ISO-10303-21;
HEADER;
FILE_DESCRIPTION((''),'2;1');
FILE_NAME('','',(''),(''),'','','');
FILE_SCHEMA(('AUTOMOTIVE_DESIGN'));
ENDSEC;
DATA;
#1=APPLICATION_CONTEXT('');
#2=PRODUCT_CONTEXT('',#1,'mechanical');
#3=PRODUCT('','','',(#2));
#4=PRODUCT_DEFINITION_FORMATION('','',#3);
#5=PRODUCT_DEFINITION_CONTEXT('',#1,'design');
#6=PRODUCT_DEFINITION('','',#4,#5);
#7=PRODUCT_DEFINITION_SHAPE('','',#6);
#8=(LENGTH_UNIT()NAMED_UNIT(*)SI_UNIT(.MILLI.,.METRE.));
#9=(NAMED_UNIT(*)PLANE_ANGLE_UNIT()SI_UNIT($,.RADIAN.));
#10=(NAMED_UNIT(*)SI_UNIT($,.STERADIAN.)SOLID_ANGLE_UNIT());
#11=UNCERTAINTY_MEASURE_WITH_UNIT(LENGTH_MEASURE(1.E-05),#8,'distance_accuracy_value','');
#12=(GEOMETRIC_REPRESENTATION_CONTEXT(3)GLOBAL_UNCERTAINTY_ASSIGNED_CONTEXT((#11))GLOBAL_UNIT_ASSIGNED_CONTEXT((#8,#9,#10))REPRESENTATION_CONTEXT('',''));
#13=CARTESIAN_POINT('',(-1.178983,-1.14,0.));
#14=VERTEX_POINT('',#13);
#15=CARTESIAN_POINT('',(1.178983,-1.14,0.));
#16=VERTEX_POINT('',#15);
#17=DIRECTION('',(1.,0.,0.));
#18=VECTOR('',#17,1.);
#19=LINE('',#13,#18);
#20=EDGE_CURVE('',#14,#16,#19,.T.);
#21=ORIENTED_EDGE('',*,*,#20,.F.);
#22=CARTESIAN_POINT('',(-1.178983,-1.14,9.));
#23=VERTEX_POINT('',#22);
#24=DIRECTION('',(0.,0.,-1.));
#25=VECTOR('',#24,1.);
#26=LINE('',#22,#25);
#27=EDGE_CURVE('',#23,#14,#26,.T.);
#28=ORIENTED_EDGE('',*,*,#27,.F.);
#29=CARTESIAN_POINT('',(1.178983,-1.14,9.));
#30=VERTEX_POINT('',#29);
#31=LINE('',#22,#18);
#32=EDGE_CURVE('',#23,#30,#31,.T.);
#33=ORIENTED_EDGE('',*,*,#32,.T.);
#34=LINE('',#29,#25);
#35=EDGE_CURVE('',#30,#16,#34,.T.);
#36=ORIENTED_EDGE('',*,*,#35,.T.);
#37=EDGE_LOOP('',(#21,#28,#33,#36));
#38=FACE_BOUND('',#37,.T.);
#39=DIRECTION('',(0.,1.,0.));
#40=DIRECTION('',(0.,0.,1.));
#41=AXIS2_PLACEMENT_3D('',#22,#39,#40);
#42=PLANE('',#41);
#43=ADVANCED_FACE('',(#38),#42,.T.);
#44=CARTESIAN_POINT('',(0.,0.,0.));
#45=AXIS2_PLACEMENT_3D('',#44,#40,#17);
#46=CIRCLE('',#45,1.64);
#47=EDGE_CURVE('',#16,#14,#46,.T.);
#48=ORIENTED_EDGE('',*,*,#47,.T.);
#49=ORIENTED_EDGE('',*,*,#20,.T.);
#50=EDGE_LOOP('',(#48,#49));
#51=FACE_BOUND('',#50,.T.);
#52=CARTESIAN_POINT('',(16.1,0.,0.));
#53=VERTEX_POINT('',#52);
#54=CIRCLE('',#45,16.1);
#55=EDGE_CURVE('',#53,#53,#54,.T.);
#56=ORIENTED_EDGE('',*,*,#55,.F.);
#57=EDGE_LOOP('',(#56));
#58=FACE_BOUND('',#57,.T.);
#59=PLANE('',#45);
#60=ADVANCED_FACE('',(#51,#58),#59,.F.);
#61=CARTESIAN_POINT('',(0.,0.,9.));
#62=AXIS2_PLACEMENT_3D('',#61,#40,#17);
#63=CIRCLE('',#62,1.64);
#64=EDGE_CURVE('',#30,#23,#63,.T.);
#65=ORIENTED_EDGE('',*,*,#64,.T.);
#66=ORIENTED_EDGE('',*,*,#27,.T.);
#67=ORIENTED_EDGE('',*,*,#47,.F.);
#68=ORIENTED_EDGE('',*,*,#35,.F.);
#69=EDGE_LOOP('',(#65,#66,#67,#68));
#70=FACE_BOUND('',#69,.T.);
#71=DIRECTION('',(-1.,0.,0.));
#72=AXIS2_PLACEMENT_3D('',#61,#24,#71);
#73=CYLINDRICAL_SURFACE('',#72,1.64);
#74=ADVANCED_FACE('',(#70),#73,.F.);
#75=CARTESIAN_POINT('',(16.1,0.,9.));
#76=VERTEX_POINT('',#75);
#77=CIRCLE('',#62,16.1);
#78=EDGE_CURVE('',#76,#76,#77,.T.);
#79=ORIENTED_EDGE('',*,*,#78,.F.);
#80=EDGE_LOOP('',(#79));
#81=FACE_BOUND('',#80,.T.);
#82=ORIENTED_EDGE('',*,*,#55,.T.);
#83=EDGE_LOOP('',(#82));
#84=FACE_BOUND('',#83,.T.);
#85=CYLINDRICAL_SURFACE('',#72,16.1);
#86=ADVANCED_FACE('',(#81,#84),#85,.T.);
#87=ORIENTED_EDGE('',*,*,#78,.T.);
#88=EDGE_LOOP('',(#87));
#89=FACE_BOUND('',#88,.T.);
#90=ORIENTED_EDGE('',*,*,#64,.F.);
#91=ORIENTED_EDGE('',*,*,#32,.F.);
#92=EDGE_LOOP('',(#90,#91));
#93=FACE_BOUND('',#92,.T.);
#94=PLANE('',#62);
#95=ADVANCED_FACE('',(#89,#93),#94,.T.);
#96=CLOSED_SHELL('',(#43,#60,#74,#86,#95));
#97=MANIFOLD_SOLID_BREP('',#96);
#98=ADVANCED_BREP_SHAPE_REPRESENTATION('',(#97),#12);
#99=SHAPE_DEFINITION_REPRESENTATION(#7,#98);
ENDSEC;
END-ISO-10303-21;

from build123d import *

# Parameters (mm, degrees)
SKETCH1_R           = 16.1
BOSS_EXTRUDE1_DEPTH = 9


with BuildPart() as part:
    # Sketch1 → Boss-Extrude1 (new body)
    with BuildSketch(Plane.XY):
        Circle(SKETCH1_R)
        with BuildLine():
            Line((-1.178982612, -1.14), (1.178982612, -1.14))
            ThreePointArc((1.178982612, -1.14), (0, 1.64), (-1.178982612, -1.14))
        make_face(mode=Mode.SUBTRACT)
    extrude(amount=BOSS_EXTRUDE1_DEPTH)


solid = part.part
